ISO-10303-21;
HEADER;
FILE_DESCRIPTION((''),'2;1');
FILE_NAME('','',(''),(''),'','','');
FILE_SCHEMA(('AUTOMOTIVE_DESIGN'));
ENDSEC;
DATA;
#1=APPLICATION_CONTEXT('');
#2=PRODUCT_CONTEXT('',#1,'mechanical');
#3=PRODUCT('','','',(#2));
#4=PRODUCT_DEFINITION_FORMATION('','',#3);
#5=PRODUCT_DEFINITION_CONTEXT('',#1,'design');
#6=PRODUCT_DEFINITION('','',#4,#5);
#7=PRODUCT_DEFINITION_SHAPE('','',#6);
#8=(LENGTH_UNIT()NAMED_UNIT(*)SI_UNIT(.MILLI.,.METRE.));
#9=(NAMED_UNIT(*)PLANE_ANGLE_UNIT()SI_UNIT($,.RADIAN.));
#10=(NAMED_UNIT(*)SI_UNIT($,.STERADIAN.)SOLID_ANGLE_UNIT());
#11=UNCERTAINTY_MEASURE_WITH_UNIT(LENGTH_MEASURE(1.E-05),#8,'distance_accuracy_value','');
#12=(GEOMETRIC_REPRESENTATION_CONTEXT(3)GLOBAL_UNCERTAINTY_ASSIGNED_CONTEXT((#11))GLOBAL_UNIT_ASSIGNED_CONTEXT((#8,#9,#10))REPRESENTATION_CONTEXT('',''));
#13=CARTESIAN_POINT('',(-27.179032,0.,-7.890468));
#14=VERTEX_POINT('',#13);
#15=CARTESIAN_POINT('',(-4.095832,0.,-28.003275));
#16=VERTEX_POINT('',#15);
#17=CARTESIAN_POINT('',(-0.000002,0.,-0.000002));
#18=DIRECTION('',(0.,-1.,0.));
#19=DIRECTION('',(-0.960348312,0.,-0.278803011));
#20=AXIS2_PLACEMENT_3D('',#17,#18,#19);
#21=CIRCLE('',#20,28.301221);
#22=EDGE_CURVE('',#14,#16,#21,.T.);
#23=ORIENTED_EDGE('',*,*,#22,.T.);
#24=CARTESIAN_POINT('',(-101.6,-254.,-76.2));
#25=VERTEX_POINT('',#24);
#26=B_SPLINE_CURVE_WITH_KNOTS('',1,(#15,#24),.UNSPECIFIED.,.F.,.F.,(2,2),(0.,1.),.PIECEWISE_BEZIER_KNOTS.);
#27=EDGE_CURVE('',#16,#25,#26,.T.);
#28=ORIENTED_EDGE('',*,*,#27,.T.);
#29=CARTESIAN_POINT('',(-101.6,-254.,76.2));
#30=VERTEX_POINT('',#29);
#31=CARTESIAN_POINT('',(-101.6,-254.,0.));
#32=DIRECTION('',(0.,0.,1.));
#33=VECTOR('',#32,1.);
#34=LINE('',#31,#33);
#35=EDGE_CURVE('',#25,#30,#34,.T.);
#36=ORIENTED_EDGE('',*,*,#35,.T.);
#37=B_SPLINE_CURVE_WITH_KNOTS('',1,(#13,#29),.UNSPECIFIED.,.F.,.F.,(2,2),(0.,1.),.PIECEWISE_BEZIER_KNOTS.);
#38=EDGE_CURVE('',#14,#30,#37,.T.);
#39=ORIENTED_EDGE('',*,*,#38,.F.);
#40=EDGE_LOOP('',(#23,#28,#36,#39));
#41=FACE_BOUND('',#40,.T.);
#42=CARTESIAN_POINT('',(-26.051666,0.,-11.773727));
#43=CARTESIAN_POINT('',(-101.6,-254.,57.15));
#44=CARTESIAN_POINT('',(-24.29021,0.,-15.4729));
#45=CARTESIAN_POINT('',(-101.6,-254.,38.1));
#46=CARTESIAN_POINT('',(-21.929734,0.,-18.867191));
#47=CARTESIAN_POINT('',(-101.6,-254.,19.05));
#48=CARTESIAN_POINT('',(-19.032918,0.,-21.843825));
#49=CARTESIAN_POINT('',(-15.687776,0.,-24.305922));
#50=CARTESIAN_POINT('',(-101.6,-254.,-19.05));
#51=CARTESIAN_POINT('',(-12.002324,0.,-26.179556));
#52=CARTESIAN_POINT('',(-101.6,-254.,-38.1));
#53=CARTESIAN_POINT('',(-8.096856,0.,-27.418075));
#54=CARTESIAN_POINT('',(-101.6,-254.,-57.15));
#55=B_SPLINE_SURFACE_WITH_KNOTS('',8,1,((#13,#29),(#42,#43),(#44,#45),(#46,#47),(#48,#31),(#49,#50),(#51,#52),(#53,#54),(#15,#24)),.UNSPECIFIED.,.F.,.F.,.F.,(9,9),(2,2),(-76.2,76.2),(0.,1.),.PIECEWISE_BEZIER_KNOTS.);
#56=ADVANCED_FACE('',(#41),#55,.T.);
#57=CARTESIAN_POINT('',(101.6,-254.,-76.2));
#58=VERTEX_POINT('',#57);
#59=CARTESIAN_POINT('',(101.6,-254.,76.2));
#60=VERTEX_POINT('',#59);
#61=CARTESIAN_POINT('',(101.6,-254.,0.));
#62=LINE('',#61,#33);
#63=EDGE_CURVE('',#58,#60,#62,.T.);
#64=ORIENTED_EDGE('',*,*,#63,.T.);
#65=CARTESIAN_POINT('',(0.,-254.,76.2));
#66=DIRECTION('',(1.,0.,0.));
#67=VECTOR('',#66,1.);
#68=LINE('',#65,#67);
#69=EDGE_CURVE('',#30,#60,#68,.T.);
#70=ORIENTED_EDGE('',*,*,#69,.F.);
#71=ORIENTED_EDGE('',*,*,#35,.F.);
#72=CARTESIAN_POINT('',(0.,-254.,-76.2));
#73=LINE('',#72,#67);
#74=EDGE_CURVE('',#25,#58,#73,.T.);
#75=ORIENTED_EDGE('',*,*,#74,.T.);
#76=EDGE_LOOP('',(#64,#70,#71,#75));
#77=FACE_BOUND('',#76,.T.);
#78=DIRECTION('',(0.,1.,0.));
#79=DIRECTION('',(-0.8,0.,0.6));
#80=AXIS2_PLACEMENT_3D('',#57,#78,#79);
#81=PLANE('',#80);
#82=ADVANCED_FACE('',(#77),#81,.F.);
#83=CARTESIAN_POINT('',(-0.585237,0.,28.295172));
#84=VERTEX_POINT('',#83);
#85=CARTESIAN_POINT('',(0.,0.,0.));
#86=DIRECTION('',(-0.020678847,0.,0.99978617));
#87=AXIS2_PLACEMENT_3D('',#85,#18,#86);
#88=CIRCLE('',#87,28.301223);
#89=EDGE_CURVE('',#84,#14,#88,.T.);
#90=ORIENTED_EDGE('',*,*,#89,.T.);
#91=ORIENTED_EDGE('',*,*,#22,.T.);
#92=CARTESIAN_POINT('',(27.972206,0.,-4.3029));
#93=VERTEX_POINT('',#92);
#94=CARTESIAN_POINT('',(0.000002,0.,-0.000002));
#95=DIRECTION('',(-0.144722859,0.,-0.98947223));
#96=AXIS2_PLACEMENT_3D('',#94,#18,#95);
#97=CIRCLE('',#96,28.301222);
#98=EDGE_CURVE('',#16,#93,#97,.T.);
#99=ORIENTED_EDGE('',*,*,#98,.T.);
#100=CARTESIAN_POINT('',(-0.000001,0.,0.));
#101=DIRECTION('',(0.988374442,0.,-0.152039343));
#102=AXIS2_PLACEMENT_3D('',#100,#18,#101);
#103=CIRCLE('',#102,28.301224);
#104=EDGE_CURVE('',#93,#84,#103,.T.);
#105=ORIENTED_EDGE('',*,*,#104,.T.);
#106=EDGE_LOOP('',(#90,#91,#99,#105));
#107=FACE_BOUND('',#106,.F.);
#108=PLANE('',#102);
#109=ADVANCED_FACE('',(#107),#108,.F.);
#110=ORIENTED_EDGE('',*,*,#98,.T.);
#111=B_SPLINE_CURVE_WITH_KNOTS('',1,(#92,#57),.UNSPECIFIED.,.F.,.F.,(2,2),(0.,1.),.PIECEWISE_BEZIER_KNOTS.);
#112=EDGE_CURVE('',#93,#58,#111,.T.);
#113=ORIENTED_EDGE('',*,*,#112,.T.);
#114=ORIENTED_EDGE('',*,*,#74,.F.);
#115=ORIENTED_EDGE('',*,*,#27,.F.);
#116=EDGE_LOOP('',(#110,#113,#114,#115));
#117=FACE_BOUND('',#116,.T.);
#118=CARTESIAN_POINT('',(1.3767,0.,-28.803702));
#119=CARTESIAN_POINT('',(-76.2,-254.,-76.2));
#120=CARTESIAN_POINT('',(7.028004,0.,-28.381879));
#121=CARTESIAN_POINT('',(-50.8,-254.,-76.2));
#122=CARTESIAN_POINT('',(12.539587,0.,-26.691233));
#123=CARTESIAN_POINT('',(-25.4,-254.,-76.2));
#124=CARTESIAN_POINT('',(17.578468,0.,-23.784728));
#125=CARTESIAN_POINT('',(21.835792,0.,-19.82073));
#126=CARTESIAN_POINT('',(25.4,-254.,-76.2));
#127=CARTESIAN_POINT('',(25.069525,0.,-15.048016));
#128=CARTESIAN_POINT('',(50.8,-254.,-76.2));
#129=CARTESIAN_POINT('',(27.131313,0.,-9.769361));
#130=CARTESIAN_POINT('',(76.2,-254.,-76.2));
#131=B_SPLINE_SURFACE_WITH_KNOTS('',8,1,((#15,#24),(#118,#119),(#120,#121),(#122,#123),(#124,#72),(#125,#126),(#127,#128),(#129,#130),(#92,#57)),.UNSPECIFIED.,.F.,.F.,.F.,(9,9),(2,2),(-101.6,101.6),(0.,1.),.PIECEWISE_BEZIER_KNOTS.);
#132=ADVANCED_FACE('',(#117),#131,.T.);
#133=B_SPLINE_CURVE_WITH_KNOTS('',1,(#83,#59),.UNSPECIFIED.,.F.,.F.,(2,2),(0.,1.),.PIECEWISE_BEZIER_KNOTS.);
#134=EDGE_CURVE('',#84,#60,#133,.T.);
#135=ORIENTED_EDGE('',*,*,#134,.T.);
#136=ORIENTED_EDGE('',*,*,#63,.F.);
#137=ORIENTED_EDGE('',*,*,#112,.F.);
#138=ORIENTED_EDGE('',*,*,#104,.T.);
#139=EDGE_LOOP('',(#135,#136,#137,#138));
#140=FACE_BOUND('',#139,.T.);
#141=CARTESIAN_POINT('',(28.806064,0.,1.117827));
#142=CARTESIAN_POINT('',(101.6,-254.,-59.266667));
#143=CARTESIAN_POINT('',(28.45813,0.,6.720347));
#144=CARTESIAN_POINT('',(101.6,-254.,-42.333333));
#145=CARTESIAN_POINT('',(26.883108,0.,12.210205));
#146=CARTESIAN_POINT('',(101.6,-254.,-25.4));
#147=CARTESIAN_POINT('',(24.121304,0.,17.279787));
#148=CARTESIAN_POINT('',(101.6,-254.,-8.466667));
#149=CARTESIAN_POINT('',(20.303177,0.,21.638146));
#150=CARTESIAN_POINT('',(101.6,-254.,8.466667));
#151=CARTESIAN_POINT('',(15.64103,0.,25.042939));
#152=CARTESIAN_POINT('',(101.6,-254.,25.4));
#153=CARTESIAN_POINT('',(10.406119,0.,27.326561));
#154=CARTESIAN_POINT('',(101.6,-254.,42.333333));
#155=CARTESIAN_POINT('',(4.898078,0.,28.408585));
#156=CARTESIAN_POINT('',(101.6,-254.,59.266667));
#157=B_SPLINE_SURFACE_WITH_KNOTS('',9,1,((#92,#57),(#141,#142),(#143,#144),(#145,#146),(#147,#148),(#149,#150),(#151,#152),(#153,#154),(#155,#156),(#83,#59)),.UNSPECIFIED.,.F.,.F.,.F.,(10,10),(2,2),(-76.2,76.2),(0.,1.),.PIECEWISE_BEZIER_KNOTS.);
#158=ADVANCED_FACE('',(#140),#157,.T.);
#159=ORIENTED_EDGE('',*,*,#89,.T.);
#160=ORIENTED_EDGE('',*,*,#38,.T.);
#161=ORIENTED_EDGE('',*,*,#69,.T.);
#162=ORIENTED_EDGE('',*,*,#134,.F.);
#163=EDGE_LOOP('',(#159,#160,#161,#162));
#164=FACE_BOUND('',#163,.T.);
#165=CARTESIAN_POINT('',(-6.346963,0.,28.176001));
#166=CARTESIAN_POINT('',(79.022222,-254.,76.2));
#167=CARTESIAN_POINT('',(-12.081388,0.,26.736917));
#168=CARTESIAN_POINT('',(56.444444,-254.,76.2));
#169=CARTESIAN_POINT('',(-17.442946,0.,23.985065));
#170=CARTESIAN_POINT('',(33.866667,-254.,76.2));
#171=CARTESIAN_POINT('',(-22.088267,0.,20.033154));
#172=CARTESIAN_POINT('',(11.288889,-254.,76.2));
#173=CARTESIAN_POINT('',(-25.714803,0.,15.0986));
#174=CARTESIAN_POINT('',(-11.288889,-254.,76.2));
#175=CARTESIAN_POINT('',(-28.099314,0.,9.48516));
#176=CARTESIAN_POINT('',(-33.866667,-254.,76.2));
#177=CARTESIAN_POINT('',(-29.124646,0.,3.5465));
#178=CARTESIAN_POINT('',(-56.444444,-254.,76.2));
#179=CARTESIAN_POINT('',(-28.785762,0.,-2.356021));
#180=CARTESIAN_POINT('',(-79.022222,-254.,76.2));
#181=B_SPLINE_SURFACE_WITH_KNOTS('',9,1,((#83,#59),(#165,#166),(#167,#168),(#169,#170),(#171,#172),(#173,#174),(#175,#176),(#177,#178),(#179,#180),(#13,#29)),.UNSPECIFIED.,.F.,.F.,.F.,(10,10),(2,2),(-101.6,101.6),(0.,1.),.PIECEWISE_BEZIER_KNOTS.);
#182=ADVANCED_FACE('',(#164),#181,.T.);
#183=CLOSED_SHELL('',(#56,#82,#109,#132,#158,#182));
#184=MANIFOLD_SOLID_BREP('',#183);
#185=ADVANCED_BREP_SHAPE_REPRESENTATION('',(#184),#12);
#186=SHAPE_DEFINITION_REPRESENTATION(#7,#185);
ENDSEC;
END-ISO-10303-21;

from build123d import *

# Parameters (mm, degrees)
F2_W = 203.2
F2_H = 152.4


with BuildPart() as f3:
    # F1 (on Front) → F3 section 0
    with BuildSketch(Plane.XZ):
        with BuildLine():
            ThreePointArc((27.972206, -4.3029), (21.287792, 18.649106), (-0.585237, 28.295172))
            ThreePointArc((-0.585237, 28.295172), (-22.804907, 16.759937), (-27.179032, -7.890468))
            ThreePointArc((-27.179032, -7.890468), (-18.591949, -21.33773), (-4.095832, -28.003275))
            ThreePointArc((-4.095832, -28.003275), (16.821036, -22.759878), (27.972206, -4.3029))
        make_face()
    # F2 (on offset) → F3 section 1
    with BuildSketch(Plane.XZ.offset(254)):
        Rectangle(F2_W, F2_H)
    loft()


solid = f3.part
